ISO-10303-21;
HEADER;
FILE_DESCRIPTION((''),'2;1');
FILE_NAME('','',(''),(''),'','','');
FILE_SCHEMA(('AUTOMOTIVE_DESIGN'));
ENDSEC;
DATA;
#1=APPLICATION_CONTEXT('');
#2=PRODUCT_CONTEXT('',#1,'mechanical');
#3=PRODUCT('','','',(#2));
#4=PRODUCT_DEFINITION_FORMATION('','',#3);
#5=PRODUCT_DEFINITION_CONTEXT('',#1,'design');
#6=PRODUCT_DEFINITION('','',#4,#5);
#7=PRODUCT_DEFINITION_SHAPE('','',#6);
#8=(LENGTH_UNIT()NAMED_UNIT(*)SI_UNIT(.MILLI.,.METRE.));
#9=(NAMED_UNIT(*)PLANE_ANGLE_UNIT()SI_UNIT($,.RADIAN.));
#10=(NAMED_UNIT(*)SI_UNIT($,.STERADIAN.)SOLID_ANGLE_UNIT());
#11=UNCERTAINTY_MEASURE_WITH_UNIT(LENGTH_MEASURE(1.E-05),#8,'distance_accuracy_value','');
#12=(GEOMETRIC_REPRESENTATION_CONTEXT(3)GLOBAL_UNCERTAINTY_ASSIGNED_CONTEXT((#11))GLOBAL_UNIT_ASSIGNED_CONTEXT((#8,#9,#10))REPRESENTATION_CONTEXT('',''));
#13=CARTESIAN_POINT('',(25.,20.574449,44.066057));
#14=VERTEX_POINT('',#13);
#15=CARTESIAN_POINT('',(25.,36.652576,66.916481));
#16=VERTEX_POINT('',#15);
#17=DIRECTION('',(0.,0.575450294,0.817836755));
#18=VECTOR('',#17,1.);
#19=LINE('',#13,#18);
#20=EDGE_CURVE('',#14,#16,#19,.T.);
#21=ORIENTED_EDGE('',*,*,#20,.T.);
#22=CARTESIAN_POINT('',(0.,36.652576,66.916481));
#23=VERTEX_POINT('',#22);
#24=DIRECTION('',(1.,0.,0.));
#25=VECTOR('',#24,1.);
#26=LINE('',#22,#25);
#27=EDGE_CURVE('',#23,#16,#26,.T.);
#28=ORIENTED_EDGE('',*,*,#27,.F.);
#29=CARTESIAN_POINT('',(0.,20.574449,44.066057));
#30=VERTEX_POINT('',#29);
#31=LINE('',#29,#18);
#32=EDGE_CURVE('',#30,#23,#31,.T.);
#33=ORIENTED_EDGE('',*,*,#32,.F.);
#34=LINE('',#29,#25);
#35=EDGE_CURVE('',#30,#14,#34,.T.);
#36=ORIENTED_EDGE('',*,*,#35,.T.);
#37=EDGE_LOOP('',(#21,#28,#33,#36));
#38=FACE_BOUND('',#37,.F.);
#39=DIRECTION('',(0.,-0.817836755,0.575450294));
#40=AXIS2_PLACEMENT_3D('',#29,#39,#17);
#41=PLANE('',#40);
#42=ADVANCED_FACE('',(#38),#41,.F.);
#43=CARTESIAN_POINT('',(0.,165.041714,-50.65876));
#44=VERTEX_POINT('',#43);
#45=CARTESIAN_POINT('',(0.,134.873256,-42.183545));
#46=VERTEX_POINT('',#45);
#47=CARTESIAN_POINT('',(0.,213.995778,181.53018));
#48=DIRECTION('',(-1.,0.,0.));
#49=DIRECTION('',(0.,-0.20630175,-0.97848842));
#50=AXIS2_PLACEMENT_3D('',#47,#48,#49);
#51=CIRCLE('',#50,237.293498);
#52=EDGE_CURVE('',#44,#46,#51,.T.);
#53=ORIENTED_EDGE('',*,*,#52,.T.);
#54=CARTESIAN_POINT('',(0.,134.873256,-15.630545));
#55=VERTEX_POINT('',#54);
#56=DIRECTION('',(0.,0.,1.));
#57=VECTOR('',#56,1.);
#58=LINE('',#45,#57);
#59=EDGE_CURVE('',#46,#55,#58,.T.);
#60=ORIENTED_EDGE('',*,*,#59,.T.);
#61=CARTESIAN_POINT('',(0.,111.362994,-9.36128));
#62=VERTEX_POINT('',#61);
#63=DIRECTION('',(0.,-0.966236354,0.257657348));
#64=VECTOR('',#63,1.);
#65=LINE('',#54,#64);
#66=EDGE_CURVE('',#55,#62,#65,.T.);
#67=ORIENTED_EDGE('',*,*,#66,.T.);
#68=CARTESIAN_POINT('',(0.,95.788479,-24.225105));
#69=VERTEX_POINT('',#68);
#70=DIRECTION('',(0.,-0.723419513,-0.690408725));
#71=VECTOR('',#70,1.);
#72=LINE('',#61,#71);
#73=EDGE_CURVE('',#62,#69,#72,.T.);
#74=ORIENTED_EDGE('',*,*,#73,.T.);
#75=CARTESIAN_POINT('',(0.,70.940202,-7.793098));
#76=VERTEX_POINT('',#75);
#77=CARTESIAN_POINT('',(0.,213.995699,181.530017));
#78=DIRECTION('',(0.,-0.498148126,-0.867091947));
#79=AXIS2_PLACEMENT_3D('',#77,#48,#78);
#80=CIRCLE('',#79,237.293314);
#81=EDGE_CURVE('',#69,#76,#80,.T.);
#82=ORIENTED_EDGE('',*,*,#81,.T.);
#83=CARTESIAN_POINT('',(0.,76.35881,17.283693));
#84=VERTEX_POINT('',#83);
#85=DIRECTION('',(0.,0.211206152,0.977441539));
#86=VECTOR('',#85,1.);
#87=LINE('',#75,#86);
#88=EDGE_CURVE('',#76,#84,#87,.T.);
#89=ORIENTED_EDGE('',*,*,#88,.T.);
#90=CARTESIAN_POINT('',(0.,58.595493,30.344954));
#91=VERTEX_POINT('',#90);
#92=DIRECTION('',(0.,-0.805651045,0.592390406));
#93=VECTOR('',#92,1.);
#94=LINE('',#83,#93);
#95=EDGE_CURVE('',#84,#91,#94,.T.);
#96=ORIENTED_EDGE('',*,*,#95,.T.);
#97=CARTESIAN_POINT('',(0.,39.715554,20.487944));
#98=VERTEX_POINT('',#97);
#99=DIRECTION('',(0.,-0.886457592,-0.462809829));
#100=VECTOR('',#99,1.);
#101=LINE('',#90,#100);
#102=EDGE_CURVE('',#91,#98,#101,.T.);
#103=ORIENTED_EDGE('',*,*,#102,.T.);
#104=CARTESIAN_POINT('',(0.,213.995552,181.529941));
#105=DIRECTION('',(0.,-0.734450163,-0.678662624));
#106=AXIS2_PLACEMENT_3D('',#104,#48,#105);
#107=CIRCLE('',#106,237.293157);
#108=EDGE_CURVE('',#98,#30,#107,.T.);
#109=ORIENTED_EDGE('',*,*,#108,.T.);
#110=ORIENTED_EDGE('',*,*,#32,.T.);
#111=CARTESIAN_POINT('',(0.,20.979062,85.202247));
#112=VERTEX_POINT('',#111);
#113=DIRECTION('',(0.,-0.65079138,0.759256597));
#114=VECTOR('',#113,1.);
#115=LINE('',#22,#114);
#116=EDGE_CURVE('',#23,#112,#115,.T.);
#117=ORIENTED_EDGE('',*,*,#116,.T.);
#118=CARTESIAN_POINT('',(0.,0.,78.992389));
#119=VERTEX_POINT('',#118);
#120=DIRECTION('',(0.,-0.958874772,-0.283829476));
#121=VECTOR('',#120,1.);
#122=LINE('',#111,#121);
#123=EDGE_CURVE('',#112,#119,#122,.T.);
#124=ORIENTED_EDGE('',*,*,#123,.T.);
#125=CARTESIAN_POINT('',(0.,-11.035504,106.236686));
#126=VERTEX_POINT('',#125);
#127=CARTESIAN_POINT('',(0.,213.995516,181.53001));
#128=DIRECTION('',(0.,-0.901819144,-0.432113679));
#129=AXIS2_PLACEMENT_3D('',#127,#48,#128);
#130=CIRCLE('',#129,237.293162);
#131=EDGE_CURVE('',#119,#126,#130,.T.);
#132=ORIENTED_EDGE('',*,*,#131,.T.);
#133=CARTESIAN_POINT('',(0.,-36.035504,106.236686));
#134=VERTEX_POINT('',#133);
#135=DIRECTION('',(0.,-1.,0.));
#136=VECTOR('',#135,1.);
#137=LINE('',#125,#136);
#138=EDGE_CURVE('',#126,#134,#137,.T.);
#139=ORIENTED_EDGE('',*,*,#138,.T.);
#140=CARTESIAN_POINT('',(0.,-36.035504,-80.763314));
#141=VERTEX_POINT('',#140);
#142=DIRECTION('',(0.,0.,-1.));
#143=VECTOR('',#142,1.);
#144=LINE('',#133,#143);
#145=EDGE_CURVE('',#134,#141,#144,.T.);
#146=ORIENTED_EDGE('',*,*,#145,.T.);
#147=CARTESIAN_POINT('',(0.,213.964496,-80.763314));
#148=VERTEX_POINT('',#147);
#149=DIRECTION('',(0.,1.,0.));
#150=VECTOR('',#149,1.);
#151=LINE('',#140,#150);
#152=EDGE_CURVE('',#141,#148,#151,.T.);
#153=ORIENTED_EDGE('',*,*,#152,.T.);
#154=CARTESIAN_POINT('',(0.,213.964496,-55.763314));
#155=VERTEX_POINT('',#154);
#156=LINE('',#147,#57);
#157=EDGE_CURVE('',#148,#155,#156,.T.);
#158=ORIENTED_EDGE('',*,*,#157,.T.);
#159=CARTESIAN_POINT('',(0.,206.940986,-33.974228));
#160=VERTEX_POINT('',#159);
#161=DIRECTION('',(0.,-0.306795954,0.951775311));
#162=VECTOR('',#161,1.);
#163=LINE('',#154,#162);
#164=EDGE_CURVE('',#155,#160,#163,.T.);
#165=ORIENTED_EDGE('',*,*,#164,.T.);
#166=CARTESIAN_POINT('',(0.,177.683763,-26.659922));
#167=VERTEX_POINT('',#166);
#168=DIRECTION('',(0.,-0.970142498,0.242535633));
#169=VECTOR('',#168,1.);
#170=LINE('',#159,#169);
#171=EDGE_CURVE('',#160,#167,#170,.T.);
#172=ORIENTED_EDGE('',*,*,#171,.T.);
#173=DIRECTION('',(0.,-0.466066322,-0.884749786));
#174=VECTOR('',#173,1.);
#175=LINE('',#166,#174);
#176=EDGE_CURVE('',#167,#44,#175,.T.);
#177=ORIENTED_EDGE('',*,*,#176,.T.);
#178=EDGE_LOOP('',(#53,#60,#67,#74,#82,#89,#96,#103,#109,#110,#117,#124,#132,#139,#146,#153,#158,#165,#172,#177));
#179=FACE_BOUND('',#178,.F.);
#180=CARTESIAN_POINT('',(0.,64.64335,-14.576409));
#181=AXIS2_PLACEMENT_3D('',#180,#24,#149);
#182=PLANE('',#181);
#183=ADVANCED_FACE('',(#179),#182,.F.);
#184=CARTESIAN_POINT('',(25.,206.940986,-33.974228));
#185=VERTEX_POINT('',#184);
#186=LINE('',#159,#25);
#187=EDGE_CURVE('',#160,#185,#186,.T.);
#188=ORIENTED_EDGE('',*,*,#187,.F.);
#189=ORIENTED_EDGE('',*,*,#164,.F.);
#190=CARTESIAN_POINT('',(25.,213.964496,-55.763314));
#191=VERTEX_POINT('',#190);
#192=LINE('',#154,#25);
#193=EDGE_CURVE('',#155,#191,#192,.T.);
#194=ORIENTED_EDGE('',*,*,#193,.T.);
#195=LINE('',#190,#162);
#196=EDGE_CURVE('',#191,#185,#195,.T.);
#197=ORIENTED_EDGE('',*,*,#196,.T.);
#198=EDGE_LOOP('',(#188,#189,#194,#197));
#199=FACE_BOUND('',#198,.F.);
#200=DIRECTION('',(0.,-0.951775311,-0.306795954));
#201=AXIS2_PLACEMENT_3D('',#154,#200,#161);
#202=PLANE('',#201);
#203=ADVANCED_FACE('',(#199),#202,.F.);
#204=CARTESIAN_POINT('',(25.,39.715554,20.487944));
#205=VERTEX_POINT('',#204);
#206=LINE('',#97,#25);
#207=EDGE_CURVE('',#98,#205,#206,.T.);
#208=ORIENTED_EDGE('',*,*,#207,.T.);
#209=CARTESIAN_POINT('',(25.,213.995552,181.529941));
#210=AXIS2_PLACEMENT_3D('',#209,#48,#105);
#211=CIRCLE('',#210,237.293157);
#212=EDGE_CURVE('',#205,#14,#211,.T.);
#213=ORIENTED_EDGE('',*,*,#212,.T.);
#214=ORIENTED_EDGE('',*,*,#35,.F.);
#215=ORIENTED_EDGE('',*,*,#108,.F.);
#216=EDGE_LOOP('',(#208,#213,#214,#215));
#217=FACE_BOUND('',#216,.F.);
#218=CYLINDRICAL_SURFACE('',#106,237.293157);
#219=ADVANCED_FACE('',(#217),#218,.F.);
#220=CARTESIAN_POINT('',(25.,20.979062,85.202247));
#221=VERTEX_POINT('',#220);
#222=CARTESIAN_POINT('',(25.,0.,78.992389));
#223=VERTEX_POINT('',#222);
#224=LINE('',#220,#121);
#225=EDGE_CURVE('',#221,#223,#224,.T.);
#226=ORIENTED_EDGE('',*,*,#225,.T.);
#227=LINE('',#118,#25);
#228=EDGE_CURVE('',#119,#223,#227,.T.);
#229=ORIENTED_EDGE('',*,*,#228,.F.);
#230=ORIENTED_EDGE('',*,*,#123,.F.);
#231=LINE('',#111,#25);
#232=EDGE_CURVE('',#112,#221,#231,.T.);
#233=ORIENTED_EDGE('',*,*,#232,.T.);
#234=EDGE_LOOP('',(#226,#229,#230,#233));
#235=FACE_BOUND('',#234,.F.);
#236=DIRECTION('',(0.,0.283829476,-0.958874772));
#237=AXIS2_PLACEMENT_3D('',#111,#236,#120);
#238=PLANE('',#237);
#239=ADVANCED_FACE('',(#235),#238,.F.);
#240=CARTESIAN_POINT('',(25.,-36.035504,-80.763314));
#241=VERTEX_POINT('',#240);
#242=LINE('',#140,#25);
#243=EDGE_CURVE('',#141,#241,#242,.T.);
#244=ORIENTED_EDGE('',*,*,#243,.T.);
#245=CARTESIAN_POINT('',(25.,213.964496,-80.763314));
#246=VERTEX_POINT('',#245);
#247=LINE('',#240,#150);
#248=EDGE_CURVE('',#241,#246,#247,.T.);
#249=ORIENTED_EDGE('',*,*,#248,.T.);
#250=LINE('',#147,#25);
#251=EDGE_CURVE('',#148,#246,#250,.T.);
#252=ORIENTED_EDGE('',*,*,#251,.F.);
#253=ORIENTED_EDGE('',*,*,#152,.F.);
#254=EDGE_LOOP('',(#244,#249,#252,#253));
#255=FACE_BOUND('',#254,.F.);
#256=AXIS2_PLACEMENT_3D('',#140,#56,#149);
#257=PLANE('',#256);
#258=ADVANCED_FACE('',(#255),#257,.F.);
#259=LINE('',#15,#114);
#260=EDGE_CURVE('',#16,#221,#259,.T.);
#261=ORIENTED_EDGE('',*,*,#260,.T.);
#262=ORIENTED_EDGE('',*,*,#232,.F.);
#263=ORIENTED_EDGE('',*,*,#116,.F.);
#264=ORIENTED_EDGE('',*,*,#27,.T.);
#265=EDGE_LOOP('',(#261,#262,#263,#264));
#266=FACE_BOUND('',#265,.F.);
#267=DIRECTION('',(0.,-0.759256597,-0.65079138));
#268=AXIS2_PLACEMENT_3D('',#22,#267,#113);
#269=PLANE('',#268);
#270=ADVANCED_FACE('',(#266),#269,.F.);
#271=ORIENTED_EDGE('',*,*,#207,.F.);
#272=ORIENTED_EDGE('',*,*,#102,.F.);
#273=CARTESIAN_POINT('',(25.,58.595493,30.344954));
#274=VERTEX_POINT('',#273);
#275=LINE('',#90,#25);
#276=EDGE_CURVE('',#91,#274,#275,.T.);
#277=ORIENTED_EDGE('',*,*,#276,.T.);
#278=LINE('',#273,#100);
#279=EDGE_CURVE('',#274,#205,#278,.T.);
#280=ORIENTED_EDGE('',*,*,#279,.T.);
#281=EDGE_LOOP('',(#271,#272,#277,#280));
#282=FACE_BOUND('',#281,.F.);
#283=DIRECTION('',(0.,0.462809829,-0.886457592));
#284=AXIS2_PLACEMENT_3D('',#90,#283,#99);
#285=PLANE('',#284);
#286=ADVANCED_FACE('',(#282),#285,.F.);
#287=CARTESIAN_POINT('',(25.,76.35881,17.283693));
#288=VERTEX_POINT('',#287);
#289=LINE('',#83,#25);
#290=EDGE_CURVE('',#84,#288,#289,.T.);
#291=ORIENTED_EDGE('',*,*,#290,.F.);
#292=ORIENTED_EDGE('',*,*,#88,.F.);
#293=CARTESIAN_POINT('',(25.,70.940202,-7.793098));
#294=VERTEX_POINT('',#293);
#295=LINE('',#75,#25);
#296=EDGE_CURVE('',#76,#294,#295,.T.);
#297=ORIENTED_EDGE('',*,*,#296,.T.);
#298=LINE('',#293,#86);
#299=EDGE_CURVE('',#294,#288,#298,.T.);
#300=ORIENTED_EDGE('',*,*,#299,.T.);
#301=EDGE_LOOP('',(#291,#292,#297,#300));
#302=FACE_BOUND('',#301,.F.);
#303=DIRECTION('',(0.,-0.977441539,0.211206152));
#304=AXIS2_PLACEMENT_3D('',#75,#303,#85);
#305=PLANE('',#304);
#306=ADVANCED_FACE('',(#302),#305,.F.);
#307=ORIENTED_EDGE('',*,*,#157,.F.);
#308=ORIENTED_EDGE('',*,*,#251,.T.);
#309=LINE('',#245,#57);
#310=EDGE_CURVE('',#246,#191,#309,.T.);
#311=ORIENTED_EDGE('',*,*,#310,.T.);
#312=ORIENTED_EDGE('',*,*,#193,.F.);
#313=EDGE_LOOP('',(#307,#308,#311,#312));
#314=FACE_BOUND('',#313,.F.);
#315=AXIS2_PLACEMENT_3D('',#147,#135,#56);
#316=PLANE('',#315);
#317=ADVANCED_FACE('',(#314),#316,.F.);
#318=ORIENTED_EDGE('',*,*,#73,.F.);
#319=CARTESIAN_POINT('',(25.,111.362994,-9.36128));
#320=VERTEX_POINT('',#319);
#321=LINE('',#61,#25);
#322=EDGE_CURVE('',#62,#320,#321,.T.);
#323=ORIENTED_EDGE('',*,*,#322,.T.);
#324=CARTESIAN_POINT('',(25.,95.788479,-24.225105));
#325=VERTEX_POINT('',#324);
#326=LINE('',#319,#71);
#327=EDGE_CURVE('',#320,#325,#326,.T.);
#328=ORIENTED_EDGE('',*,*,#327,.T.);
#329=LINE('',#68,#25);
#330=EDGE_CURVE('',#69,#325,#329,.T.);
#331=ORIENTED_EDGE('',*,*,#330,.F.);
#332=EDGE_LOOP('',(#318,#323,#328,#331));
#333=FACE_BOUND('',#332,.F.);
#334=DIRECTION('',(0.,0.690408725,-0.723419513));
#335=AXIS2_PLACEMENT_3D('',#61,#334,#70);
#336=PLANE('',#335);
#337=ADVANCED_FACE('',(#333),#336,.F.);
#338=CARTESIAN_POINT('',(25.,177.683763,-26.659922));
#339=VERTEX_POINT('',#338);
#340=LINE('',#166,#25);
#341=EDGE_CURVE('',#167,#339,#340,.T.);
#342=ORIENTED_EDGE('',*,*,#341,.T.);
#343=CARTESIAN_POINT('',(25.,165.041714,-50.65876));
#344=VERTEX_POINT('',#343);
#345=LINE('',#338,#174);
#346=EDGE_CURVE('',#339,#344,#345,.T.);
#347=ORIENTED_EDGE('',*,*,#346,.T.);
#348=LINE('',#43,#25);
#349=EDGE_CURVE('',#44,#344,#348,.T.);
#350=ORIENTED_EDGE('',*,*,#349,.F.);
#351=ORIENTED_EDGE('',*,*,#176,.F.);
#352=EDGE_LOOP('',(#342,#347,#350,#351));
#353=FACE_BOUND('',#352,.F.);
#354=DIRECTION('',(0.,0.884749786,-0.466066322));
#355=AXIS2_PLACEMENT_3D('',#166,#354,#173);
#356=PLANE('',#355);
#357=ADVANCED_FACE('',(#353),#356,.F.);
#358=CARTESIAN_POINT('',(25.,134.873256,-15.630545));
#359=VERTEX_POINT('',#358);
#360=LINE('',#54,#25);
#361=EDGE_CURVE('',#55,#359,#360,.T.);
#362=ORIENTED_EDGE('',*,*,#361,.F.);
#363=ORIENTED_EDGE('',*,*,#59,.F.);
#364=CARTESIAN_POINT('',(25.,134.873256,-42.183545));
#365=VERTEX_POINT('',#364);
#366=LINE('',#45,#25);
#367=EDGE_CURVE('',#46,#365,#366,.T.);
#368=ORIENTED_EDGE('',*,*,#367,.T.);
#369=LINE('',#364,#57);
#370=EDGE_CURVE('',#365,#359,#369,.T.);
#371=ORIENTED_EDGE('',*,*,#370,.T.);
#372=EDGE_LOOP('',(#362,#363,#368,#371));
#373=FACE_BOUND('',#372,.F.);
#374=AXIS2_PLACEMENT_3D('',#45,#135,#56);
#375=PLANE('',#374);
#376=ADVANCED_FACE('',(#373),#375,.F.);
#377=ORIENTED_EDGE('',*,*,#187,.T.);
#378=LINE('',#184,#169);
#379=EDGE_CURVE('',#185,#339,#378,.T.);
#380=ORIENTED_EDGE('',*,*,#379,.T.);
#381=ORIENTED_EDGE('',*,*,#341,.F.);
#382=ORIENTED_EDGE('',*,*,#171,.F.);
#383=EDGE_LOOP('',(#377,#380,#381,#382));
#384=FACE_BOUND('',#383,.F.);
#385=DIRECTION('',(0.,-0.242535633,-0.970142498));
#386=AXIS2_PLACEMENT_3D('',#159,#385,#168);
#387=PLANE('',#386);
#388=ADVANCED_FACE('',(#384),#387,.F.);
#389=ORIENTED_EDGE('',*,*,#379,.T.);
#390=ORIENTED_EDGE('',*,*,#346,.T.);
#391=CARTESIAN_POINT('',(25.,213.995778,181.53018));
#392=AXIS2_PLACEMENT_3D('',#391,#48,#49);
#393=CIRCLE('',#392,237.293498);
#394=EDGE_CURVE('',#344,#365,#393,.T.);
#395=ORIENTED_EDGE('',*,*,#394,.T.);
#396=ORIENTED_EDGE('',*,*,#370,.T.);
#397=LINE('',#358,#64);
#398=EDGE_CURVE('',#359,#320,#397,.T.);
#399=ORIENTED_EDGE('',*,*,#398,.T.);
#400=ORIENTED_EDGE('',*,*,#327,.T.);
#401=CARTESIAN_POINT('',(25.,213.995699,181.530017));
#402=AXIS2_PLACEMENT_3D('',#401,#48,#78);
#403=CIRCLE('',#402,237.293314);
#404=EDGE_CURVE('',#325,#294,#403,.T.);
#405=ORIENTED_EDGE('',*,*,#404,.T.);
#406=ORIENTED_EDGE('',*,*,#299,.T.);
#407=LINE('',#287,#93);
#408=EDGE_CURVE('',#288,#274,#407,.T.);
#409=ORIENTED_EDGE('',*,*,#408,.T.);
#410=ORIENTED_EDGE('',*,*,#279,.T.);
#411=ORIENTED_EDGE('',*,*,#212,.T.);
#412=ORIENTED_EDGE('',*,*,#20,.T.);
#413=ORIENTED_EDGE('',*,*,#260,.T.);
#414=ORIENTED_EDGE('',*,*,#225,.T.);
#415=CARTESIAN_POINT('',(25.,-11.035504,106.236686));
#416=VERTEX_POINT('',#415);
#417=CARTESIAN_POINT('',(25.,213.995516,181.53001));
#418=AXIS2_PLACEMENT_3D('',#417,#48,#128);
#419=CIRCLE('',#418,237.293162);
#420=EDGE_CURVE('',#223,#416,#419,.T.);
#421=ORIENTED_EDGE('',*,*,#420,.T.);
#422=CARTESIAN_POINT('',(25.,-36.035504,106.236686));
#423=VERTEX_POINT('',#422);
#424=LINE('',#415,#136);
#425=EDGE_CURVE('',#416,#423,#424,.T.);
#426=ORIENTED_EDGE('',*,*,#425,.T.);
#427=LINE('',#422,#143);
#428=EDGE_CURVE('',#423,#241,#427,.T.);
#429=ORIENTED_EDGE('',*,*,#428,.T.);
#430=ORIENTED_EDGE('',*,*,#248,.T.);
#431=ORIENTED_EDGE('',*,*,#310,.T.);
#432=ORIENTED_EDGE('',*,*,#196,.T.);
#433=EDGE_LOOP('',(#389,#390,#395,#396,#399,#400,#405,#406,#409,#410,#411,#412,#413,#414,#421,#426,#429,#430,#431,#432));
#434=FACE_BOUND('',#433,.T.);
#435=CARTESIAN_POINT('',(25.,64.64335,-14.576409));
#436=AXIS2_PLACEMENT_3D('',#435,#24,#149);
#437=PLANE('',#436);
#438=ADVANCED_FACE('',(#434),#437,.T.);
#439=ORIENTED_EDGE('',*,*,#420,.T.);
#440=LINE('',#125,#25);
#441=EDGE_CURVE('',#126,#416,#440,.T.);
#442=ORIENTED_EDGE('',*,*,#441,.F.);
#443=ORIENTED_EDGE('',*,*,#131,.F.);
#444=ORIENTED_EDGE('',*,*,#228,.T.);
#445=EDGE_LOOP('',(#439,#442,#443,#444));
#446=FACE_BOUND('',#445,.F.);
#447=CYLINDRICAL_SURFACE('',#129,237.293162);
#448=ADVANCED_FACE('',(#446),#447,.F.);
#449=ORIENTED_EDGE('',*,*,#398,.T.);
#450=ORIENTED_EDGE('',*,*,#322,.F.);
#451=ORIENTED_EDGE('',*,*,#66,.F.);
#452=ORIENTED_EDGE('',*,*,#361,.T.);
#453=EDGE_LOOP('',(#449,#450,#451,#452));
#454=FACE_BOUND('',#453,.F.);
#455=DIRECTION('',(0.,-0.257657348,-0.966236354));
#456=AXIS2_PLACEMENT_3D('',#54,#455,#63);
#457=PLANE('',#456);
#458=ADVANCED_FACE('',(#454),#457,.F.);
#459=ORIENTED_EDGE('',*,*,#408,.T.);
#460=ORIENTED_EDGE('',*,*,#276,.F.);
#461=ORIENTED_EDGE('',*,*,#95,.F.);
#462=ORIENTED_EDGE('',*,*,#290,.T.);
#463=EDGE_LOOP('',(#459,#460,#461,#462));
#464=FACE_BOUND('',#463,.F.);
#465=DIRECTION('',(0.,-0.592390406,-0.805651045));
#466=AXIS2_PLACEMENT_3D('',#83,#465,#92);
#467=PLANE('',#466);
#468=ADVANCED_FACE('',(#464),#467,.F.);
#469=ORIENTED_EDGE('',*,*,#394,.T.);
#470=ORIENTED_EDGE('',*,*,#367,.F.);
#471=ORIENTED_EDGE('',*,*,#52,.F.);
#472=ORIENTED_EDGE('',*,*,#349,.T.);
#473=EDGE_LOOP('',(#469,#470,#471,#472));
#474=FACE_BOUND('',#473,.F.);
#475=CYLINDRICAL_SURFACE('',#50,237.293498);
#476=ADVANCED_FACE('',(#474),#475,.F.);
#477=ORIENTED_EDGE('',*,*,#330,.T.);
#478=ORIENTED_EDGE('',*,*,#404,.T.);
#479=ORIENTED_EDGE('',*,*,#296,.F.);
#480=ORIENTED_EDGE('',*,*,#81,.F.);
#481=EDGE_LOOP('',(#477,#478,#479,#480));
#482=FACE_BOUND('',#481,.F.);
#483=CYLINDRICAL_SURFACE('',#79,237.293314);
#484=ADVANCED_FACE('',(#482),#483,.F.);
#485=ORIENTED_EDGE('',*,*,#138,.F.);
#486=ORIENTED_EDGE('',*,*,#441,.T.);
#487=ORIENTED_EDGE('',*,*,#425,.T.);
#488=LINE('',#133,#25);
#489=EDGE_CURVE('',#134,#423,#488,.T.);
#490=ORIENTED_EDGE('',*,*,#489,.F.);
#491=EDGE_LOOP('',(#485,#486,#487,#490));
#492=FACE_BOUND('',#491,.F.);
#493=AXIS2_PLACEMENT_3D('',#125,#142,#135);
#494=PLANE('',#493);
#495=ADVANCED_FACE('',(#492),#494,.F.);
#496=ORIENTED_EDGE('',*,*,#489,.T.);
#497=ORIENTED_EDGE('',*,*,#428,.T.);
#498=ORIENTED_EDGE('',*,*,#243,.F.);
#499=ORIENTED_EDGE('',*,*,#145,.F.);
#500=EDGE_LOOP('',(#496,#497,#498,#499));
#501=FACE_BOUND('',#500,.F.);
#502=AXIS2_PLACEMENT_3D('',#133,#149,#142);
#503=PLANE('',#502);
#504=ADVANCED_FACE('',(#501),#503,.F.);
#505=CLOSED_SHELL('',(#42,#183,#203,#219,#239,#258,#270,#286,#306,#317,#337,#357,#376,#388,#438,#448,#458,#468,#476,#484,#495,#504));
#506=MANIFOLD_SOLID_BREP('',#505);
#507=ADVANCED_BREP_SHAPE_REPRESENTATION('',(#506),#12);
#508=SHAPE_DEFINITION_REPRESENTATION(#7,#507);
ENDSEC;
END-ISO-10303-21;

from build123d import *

# Parameters (mm, degrees)
F1_DEPTH = 25


with BuildPart() as f1:
    # F0 (on Right) → F1 (new body)
    with BuildSketch(Plane.YZ):
        with BuildLine():
            Line((-36.035504, 106.236686), (-36.035504, -80.763314))
            Line((-36.035504, -80.763314), (213.964496, -80.763314))
            Line((213.964496, -80.763314), (213.964496, -55.763314))
            Line((213.964496, -55.763314), (206.940986, -33.974228))
            Line((206.940986, -33.974228), (177.683763, -26.659922))
            Line((177.683763, -26.659922), (165.041714, -50.65876))
            ThreePointArc((165.041714, -50.65876), (149.817431, -46.919692), (134.873256, -42.183545))
            Line((134.873256, -42.183545), (134.873256, -15.630545))
            Line((134.873256, -15.630545), (111.362994, -9.36128))
            Line((111.362994, -9.36128), (95.788479, -24.225105))
            ThreePointArc((95.788479, -24.225105), (83.106224, -16.399421), (70.940202, -7.793098))
            Line((70.940202, -7.793098), (76.35881, 17.283693))
            Line((76.35881, 17.283693), (58.595493, 30.344954))
            Line((58.595493, 30.344954), (39.715554, 20.487944))
            ThreePointArc((39.715554, 20.487944), (29.767414, 31.970469), (20.574449, 44.066057))
            Line((20.574449, 44.066057), (36.652576, 66.916481))
            Line((36.652576, 66.916481), (20.979062, 85.202247))
            Line((20.979062, 85.202247), (0, 78.992389))
            ThreePointArc((0, 78.992389), (-5.940015, 92.443497), (-11.035504, 106.236686))
            Line((-11.035504, 106.236686), (-36.035504, 106.236686))
        make_face()
    extrude(amount=F1_DEPTH)


solid = f1.part
